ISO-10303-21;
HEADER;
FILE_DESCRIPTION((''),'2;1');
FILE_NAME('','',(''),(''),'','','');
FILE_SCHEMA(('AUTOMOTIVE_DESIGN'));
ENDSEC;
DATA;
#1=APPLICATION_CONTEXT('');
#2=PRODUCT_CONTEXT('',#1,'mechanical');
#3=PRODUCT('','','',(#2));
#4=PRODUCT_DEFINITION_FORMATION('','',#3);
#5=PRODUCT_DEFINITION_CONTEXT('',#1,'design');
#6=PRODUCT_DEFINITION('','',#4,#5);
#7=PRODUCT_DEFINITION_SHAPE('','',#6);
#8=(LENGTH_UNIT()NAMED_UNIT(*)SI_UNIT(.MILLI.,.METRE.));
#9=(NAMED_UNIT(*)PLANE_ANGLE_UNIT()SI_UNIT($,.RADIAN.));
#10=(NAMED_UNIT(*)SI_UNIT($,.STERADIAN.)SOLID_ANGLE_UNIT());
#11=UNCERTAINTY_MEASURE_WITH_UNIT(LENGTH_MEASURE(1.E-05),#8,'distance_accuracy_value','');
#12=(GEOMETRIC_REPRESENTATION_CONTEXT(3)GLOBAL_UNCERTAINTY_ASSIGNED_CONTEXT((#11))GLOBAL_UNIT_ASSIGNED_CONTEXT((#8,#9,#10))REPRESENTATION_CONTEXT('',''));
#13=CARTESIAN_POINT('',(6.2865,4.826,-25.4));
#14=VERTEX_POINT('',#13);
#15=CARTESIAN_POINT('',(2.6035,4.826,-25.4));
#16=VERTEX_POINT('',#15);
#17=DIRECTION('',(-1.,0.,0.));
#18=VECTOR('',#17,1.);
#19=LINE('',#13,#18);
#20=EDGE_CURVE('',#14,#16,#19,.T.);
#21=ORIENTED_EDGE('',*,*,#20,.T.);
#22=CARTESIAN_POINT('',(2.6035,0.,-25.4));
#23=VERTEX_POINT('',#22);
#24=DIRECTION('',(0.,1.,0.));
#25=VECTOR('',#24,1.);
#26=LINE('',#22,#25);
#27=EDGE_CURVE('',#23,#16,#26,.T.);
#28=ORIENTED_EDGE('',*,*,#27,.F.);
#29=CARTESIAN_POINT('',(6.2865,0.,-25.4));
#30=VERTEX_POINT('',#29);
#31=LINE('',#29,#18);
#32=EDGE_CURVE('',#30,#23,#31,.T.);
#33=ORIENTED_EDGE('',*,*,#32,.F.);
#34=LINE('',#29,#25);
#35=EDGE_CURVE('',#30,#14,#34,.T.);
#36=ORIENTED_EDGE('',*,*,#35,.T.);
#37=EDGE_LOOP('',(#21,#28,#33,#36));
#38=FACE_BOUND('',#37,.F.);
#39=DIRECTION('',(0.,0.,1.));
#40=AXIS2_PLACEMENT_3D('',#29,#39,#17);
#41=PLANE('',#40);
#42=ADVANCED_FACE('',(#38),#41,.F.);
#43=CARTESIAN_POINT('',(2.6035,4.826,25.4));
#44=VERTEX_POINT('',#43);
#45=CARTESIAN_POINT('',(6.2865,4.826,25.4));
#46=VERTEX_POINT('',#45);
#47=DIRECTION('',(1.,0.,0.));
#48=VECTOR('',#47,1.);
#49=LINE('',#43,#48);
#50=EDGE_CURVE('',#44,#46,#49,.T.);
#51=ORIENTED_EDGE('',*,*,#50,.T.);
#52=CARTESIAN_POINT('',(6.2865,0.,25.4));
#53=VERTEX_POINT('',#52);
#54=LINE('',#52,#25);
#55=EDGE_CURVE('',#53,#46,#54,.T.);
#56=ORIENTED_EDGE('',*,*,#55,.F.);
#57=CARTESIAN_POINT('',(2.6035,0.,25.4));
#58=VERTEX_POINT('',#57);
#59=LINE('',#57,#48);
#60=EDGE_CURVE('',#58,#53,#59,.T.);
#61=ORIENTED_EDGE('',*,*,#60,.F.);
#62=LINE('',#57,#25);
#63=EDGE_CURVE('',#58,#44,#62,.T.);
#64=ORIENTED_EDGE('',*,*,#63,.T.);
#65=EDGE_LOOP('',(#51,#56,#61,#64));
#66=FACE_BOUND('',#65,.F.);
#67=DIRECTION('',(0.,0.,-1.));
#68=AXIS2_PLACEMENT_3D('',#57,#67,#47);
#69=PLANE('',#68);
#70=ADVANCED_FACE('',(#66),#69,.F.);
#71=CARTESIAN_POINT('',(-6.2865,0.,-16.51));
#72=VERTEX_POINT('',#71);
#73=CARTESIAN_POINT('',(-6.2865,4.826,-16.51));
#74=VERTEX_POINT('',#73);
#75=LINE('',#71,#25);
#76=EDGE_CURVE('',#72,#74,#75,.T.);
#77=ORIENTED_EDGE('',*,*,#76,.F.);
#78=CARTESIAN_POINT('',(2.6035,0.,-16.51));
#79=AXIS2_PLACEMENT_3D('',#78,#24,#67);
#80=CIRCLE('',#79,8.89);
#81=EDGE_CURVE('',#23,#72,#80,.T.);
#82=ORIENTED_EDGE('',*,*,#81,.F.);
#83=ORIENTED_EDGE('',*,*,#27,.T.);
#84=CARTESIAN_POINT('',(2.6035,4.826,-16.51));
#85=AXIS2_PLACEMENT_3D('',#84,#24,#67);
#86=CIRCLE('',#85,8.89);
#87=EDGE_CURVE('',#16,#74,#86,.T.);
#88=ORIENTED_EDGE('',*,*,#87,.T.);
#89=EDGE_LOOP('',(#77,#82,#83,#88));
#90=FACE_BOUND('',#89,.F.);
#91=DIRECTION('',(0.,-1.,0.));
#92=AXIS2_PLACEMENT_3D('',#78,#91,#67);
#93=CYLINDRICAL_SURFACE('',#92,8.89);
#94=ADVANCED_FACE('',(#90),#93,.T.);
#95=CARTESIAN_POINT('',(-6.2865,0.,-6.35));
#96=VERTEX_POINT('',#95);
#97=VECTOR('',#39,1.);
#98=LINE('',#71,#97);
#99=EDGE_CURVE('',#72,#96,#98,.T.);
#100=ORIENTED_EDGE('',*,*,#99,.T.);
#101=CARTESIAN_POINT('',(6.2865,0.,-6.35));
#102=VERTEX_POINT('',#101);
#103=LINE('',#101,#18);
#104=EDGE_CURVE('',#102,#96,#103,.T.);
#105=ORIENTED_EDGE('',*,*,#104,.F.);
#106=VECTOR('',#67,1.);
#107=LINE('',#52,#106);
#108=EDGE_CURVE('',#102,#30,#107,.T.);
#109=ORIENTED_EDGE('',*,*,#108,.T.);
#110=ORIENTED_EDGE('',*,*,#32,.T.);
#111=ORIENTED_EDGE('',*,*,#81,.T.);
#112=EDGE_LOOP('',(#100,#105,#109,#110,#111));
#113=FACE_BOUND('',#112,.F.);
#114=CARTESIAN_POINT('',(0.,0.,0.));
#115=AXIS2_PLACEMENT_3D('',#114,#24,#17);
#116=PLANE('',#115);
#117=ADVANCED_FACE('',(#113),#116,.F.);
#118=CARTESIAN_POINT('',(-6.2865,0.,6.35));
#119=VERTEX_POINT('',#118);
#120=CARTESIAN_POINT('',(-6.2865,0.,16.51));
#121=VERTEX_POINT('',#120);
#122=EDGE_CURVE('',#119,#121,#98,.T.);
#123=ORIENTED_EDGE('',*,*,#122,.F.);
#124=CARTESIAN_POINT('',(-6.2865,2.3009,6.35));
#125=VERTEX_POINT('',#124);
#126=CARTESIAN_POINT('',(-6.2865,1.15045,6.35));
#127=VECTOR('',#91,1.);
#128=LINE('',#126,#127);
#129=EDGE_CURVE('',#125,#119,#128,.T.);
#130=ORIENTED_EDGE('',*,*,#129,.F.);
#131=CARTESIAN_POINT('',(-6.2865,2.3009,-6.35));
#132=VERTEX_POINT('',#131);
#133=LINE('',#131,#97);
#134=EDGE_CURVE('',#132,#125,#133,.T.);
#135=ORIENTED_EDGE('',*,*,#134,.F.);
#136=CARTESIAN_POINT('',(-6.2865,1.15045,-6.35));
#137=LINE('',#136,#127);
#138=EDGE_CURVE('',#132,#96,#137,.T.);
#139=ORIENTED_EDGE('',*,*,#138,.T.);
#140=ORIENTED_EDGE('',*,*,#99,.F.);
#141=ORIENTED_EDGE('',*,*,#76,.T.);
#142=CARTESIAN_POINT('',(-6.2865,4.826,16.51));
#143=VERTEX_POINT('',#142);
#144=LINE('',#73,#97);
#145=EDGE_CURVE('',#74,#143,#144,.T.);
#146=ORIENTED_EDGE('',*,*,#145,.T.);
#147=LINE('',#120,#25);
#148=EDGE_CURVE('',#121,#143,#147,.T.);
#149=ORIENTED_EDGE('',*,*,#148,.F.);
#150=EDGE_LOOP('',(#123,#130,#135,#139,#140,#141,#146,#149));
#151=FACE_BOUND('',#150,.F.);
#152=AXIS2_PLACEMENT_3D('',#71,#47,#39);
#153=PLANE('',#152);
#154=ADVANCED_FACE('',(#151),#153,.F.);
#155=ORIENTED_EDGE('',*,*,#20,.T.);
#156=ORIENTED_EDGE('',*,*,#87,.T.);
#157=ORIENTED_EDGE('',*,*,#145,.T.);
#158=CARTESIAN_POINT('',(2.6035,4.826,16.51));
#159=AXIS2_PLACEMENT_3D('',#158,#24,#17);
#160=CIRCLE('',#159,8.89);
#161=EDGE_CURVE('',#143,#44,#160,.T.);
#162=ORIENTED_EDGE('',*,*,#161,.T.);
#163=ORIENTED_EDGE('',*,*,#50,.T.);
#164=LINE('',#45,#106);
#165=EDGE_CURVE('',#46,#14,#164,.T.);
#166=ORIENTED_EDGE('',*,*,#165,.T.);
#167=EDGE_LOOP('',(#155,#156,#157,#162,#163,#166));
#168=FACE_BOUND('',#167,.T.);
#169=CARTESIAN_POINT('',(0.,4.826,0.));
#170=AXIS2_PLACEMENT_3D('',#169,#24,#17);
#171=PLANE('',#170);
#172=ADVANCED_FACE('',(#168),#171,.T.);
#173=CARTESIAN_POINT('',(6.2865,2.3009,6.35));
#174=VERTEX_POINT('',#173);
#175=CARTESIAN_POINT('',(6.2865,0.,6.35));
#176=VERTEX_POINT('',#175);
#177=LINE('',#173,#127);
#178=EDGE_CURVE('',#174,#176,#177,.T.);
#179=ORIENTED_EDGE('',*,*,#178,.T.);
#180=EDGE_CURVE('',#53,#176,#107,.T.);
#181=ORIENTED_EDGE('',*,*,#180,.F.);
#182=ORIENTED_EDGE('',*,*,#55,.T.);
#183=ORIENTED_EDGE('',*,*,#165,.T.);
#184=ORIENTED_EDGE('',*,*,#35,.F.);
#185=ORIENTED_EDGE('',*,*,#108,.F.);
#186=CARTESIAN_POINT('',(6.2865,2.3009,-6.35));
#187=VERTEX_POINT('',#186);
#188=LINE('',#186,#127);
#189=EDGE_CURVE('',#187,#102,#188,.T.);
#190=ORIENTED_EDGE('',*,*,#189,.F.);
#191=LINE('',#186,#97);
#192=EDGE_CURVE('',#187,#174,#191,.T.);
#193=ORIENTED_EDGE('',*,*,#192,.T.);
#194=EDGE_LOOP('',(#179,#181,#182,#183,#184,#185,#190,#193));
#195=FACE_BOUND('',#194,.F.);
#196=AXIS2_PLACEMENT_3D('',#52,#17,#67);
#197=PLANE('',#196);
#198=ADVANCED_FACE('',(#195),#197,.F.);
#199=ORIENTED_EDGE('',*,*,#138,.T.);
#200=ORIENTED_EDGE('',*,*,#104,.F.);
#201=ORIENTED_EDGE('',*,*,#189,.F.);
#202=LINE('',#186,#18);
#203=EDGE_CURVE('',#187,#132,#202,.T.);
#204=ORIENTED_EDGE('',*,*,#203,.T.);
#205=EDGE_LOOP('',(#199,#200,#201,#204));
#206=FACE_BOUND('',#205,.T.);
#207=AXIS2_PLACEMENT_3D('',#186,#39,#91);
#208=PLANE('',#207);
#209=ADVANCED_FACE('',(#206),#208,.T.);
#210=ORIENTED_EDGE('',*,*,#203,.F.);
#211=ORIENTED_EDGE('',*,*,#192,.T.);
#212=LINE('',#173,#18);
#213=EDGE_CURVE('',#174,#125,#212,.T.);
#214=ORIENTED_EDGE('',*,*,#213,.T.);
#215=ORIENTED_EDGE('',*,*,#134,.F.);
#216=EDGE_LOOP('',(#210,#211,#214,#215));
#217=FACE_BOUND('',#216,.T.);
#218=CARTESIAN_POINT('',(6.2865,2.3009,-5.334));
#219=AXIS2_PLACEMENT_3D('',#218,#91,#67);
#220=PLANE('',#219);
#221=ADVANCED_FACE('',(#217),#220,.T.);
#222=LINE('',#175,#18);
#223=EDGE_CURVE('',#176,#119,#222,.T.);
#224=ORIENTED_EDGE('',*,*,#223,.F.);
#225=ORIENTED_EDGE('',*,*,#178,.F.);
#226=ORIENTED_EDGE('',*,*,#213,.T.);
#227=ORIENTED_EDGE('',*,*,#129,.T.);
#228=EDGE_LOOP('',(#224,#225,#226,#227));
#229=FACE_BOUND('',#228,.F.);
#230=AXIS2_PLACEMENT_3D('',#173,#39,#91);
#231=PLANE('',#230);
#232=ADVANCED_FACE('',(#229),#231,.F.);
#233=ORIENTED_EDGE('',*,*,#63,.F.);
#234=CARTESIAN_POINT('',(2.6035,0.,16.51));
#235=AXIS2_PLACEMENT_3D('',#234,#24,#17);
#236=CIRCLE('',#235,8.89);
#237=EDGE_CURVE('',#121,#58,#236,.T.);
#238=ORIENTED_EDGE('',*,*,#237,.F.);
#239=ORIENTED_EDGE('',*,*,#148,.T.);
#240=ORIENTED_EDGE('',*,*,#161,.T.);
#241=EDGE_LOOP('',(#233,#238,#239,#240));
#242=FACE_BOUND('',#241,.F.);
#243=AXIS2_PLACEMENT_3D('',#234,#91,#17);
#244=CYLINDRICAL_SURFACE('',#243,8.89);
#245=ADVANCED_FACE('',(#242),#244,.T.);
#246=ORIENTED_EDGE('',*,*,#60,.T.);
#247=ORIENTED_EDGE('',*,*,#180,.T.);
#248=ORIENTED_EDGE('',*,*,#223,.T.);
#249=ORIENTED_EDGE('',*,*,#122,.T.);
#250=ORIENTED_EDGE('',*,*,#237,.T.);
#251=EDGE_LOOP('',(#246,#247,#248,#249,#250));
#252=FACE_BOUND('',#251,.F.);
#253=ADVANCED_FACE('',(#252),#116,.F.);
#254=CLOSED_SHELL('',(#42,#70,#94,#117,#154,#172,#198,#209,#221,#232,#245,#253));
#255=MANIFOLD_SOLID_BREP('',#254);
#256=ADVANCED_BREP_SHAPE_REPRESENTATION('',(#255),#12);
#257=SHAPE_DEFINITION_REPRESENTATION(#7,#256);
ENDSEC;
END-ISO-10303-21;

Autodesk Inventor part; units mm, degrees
ref_plane "YZ Plane" through (0, 0, 0) normal (1, 0, 0) x (0, 1, 0)
ref_plane "XZ Plane" through (0, 0, 0) normal (0, 1, 0) x (-1, 0, 0)
ref_plane "XY Plane" through (0, 0, 0) normal (0, 0, 1) x (1, 0, 0)
sketch "Sketch1" plane through (0, 0, 0) normal (0, 1, 0) x (-1, 0, 0)
  line L0 (-2.6035, 25.4) -> (-6.2865, 25.4)
  line L1 (-6.2865, 25.4) -> (-6.2865, -25.4)
  line L2 (-6.2865, -25.4) -> (-2.6035, -25.4)
  line L3 (6.2865, -16.51) -> (6.2865, 16.51)
  line L4 (6.2865, 25.4) -> (-6.2865, -25.4) construction
  line L5 (-6.2865, 25.4) -> (6.2865, -25.4) construction
  arc A0 (6.2865, 16.51) -> (-2.6035, 25.4) centre (-2.6035, 16.51) ccw
  arc A1 (-2.6035, -25.4) -> (6.2865, -16.51) centre (-2.6035, -16.51) ccw
  point P0 (0, 0)
  dimension "d0" = 12.573
  dimension "d1" = 50.8
  dimension "d2" = 8.89
extrude "Extrusion1" add sketch "Sketch1" along normal blind 4.826
sketch "Sketch2" plane through (6.2865, 0, 25.4) normal (1, 0, 0) x (0, 0, -1)
  line L0 (20.3835, 2.1639) -> (30.4165, 2.1639)
  line L1 (25.4, 0) -> (20.3835, 2.1639) construction
  line L2 (25.4, 0) -> (30.4165, 2.1639) construction
  line L3 (50.8, 0) -> (0, 0) projected
  line L4 (20.066, 2.1639) -> (20.066, 2.3009)
  line L5 (20.066, 2.3009) -> (30.734, 2.3009)
  line L6 (30.734, 2.3009) -> (30.734, 2.1639)
  line L7 (25.4, 0) -> (20.066, 2.3009) construction
  line L8 (25.4, 0) -> (30.734, 2.3009) construction
  line L9 (30.734, -2.3009) -> (30.4165, -2.3009)
  line L10 (20.3835, -2.3009) -> (20.066, -2.3009)
  line L11 (20.066, 2.3009) -> (19.05, 2.3009)
  line L12 (19.05, 2.3009) -> (19.05, 0)
  line L13 (30.734, 2.3009) -> (31.75, 2.3009)
  line L14 (31.75, 2.3009) -> (31.75, 0)
  point P0 (20.3835, 0)
  point P1 (30.4165, 0)
  point P2 (20.066, 0)
  point P3 (30.734, 0)
extrude "Extrusion2" cut sketch "Sketch2" against normal blind 12.7
properties part number "pig_wings"
